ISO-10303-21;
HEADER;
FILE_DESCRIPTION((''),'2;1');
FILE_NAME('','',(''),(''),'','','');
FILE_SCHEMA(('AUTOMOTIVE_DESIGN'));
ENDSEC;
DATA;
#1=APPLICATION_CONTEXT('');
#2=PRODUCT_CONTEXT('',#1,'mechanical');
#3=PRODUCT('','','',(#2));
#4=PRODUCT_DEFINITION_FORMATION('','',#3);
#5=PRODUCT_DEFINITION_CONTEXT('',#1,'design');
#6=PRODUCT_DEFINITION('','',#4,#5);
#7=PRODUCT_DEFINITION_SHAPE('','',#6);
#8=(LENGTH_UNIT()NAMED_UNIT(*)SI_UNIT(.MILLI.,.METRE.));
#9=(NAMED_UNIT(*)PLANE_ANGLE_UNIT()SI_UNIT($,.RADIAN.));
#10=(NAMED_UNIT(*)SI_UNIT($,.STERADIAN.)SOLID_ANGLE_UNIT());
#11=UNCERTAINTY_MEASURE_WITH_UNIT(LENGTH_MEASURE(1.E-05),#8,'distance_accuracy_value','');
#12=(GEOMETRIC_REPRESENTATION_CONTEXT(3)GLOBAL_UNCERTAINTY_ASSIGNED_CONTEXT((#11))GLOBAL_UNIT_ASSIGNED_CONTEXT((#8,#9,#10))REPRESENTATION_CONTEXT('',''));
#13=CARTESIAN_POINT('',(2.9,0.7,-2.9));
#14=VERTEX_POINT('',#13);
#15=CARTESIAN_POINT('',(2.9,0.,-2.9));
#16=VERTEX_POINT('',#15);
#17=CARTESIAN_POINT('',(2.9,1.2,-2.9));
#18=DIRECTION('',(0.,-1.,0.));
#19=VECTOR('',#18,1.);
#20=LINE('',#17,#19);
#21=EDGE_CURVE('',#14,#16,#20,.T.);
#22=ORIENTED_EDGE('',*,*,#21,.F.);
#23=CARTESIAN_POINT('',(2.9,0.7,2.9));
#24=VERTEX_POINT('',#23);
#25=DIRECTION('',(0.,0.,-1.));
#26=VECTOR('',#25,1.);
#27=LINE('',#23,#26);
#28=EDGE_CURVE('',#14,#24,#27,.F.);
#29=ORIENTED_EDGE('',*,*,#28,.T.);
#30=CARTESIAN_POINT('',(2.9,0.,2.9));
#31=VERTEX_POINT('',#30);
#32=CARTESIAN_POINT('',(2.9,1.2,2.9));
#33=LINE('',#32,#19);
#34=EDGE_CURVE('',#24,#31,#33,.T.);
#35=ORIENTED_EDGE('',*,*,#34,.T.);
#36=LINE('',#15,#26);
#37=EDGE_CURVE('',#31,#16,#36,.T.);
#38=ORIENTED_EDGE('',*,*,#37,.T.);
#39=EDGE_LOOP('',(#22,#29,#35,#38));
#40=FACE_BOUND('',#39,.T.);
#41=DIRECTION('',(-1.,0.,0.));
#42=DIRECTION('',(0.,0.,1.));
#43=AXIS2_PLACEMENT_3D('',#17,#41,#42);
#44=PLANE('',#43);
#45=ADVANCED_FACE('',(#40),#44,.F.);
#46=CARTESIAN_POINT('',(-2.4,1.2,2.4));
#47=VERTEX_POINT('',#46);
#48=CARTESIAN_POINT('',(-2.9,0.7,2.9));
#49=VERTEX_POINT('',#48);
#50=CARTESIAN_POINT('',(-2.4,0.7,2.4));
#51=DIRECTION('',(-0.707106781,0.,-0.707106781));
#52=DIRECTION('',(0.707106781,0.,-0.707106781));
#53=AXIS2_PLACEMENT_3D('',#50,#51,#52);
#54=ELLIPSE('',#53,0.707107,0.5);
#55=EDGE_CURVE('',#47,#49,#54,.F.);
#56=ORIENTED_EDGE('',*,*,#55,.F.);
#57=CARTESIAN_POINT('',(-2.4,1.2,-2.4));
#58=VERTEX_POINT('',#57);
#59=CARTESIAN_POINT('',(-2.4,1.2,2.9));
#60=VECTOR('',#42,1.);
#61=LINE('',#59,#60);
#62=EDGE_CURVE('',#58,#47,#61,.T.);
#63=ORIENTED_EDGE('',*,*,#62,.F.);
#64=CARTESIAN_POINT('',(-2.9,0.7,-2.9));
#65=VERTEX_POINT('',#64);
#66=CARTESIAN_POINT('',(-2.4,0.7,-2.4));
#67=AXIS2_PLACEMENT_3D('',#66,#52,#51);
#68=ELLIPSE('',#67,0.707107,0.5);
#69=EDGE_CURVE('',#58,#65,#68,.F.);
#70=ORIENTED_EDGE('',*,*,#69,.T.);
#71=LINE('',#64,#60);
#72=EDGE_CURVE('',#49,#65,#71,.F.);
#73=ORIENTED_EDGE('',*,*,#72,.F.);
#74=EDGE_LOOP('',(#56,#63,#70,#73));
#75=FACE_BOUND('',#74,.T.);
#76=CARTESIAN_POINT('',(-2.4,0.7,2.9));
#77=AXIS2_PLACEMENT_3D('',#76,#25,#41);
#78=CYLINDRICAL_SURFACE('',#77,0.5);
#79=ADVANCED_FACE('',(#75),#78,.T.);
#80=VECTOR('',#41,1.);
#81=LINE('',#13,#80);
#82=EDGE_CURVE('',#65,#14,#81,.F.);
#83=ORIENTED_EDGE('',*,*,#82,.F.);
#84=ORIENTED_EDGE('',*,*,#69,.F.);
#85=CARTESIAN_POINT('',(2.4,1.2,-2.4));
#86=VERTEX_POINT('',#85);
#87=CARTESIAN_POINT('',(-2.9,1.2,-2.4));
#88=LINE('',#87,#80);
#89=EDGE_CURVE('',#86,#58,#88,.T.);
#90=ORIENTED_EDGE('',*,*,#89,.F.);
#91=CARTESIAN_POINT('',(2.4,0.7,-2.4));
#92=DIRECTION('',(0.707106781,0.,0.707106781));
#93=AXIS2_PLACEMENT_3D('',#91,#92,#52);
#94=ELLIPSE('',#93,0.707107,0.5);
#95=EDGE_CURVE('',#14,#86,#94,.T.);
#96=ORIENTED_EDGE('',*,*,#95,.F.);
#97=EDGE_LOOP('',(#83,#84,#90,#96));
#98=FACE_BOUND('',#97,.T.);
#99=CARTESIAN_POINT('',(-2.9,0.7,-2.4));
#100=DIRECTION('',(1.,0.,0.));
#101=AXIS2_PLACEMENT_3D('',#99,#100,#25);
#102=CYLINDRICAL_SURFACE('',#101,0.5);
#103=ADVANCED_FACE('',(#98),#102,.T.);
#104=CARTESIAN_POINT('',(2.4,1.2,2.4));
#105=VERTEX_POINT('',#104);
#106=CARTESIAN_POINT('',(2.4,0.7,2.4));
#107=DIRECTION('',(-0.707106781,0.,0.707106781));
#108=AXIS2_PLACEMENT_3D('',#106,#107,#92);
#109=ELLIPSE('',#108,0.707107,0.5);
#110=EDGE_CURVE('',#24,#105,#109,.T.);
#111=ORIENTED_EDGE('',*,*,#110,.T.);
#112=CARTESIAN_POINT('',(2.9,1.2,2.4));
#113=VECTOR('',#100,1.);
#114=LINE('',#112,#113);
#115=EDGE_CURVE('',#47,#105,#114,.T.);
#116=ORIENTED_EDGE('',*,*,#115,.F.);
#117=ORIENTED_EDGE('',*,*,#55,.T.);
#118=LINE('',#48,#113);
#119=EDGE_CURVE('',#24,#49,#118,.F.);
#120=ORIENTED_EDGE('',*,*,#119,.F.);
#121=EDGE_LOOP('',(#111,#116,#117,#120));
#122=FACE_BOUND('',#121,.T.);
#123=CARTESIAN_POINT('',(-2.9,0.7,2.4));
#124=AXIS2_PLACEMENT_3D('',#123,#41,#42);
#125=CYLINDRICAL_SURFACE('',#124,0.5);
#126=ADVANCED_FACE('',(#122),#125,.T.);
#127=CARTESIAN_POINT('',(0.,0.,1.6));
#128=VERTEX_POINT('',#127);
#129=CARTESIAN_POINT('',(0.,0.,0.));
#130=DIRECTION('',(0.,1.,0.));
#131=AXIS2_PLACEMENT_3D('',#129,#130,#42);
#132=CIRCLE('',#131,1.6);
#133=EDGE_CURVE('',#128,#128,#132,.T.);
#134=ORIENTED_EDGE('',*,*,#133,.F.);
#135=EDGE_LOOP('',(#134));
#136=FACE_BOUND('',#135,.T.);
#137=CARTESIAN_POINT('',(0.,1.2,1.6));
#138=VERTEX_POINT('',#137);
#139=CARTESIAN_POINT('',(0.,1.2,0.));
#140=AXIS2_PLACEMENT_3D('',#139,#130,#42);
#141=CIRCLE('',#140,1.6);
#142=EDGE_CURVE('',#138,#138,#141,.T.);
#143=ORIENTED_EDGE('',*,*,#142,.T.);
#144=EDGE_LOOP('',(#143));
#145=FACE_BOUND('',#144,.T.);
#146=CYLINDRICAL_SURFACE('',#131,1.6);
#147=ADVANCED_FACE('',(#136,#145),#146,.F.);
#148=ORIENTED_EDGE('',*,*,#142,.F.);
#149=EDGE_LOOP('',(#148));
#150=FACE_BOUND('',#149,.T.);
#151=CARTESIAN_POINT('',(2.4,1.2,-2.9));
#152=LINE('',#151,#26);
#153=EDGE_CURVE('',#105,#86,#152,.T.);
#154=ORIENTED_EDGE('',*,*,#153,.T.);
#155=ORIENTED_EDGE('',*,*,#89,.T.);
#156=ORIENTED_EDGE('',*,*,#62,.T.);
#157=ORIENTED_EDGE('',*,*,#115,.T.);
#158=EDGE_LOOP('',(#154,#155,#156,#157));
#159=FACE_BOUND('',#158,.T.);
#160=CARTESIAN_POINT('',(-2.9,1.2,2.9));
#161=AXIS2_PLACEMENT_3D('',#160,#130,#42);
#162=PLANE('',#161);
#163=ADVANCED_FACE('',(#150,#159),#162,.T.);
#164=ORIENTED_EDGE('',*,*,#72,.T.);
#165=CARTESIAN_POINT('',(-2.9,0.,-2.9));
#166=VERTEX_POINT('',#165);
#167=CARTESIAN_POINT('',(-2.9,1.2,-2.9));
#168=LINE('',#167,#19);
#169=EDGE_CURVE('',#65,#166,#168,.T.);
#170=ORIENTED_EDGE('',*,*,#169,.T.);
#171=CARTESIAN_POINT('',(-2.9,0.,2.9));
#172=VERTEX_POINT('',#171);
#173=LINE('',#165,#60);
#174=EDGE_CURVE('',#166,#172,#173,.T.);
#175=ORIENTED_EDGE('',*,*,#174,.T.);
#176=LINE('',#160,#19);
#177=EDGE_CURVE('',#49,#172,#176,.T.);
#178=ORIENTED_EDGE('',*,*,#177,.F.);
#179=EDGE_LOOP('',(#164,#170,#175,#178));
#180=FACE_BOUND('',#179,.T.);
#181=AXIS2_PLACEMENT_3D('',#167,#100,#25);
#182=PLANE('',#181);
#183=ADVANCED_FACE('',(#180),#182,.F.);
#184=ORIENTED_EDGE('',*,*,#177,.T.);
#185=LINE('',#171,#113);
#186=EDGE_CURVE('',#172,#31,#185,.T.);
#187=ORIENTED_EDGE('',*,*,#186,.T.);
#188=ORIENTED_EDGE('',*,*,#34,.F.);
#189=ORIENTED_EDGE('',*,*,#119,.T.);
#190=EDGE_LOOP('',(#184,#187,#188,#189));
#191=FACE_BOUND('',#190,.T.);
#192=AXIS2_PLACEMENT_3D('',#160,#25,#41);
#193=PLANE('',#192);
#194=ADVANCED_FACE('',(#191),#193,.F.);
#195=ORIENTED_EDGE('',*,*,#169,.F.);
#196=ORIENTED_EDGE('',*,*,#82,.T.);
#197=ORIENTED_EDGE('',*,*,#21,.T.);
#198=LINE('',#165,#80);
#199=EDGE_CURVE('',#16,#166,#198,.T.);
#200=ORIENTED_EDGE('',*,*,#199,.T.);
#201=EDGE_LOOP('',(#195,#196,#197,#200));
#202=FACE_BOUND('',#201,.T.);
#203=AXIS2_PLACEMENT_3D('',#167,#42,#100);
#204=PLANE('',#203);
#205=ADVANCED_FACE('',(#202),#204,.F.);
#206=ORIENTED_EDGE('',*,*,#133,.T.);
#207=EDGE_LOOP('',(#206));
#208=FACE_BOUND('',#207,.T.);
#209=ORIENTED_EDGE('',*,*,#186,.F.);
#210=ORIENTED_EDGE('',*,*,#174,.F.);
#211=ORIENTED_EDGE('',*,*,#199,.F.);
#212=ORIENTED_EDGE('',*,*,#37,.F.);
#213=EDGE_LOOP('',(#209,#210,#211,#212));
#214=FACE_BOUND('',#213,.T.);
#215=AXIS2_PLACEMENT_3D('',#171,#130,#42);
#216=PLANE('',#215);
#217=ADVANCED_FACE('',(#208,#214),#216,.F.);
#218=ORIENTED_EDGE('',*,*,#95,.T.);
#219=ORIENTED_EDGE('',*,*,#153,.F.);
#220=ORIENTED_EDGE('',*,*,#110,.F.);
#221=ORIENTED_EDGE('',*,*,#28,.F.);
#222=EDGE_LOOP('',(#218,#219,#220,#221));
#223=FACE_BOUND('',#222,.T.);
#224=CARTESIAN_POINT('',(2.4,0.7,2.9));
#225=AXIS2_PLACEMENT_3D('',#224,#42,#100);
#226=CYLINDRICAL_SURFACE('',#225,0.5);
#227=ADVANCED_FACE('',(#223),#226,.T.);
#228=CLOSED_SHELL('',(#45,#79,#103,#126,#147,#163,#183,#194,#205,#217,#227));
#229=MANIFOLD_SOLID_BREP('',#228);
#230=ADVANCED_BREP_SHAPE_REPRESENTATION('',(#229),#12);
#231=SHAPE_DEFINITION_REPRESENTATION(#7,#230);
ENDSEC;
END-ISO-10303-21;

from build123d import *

# Parameters (mm, degrees)
SKETCH_1_W          = 5.8
SKETCH_1_H          = 5.8
EXTRUDE_1_DEPTH     = 1.2
SKETCH_2_R          = 1.6
CUT_EXTRUDE_1_DEPTH = 1.2
FILLET_1_R          = 0.5


with BuildPart() as part:
    # 草图1 → 拉伸1 (new body)
    with BuildSketch(Plane(origin=(0, 0, 0), x_dir=(1, 0, 0), z_dir=(0, 1, 0))):
        Rectangle(SKETCH_1_W, SKETCH_1_H)
    extrude(amount=EXTRUDE_1_DEPTH)

    # 草图2 → 切除-拉伸1 (cut)
    with BuildSketch(Plane(origin=(0, 1.2, 0), x_dir=(-1, 0, 0), z_dir=(0, 1, 0))):
        with Locations(Location((0, 0, 0), (0, 0, 90))):
            Circle(SKETCH_2_R)
    extrude(amount=-CUT_EXTRUDE_1_DEPTH, mode=Mode.SUBTRACT)

    # 圆角1
    fillet_1_edges = [part.edges().sort_by_distance(p)[0] for p in [
        (2.9, 1.2, 0),
        (0, 1.2, -2.9),
        (-2.9, 1.2, 0),
        (0, 1.2, 2.9),
    ]]
    fillet(fillet_1_edges, radius=FILLET_1_R)


solid = part.part
